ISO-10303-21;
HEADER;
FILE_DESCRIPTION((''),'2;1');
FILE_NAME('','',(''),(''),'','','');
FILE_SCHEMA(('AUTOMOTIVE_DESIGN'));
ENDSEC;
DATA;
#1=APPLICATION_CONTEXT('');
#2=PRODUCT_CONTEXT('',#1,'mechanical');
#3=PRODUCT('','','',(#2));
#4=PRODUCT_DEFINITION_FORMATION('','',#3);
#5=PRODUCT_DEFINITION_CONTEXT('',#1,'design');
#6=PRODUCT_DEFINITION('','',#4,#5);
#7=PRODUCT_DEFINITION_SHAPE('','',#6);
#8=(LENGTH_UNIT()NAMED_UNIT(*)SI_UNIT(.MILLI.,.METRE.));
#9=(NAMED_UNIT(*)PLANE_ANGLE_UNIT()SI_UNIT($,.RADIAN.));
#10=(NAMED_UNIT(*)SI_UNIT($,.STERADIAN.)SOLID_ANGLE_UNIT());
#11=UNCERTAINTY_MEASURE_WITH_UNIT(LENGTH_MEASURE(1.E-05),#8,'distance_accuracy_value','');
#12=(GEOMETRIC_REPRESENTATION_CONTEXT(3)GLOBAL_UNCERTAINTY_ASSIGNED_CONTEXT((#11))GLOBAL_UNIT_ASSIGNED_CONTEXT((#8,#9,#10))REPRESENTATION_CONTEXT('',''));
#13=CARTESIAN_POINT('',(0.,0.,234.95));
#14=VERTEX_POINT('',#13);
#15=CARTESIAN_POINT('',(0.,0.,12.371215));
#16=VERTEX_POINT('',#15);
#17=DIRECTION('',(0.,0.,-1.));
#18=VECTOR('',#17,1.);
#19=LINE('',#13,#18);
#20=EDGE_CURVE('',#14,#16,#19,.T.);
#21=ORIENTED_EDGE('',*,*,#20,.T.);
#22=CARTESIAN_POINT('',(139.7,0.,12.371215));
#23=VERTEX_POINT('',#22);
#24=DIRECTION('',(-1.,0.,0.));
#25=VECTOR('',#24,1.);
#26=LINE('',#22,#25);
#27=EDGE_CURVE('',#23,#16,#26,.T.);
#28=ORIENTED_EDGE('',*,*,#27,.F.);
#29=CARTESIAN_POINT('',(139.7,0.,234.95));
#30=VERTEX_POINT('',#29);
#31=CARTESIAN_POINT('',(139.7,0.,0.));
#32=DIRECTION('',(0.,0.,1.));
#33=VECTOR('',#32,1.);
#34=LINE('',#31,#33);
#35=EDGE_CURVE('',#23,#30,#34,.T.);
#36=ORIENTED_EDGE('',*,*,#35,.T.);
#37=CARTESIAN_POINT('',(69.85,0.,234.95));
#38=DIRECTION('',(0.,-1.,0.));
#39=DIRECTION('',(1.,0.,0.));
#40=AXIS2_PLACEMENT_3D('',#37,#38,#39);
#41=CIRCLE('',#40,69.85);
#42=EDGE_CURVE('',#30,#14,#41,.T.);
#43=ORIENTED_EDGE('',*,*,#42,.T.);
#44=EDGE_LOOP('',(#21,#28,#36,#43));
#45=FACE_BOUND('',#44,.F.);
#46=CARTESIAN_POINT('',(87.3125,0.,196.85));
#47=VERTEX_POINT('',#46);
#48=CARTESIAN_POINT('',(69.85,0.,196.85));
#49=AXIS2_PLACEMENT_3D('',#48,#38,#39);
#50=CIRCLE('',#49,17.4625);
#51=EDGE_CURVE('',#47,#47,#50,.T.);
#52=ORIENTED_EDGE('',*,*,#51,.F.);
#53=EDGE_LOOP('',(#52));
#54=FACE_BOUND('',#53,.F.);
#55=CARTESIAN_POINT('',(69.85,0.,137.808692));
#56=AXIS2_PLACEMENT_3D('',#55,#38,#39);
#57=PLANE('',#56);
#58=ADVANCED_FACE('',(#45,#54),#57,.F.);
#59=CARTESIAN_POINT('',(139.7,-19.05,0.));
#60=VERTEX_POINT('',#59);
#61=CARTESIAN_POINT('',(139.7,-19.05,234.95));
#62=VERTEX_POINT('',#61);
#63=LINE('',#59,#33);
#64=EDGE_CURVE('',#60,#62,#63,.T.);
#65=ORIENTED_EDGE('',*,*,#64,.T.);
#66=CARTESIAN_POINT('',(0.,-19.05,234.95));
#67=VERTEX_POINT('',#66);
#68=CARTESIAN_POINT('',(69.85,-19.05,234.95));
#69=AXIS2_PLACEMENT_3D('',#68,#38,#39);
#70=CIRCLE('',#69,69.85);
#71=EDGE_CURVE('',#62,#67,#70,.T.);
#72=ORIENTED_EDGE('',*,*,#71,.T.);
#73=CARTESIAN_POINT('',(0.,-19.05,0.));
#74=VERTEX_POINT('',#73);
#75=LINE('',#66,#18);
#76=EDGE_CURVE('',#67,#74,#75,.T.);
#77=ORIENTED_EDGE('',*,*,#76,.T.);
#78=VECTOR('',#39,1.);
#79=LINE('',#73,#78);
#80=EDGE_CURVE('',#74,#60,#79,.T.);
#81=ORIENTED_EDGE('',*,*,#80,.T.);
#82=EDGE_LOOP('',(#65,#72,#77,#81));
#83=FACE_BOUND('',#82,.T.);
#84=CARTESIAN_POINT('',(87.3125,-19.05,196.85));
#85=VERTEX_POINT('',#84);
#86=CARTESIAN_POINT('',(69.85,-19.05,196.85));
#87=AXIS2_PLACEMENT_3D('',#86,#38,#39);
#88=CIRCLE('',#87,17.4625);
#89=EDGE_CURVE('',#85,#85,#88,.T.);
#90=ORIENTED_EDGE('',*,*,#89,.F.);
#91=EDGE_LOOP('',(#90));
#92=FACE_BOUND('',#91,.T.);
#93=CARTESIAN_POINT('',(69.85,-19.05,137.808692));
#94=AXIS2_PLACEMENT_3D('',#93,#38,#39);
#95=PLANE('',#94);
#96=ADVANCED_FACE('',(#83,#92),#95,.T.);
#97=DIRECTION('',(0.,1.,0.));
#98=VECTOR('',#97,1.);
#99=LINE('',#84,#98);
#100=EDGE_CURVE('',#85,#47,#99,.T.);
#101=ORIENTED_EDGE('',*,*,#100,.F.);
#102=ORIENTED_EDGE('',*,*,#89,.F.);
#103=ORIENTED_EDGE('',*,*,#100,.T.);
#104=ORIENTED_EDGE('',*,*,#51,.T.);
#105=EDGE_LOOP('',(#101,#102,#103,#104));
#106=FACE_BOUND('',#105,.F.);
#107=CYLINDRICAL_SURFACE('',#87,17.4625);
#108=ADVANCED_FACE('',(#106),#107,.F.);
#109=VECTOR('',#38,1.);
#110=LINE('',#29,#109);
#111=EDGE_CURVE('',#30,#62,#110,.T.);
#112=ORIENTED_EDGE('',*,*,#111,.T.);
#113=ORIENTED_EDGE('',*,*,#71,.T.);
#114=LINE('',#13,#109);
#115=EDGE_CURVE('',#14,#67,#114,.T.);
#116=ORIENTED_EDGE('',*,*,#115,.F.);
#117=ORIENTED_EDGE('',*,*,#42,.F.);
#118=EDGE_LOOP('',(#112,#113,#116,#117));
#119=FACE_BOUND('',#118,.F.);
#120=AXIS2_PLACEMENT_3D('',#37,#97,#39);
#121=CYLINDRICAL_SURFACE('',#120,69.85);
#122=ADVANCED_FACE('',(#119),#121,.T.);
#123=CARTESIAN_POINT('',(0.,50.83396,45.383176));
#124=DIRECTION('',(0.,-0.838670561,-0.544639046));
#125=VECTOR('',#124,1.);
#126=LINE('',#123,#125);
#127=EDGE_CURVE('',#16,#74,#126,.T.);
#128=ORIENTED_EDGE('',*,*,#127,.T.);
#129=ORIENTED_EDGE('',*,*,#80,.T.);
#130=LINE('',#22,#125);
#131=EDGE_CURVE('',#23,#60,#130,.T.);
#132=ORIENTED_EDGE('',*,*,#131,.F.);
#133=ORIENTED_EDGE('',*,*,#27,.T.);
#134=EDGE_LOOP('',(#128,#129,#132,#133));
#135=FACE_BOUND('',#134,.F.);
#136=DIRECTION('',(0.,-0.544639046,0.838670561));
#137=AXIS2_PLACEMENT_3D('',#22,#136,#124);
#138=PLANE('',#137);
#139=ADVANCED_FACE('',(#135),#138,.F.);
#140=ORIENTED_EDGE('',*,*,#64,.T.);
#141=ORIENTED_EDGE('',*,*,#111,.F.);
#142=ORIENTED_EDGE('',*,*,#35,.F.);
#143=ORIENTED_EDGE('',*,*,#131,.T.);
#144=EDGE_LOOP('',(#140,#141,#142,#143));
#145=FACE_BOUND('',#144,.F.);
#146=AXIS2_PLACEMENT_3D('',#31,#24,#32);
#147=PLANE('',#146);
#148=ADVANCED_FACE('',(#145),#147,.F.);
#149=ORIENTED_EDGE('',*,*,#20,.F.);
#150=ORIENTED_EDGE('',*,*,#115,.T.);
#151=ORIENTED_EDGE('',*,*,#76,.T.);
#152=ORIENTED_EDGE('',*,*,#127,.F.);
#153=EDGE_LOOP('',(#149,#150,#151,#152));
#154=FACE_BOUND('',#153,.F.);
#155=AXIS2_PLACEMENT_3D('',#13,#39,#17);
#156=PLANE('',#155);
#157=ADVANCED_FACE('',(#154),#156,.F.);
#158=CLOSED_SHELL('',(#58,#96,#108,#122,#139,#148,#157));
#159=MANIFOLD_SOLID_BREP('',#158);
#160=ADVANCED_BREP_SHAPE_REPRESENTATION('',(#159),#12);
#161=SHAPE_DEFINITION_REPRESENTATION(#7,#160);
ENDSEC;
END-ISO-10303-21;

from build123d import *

# Parameters (mm, degrees)
F1_DEPTH = 19.05
F3_DEPTH = 139.701
F4_R     = 17.4625
F5_DEPTH = 19.051


with BuildPart() as f1:
    # F0 (on Front) → F1 (new body)
    with BuildSketch(Plane.XZ):
        with BuildLine():
            Line((0, 234.95), (0, 0))
            Line((0, 0), (139.7, 0))
            Line((139.7, 0), (139.7, 234.95))
            ThreePointArc((139.7, 234.95), (69.85, 304.8), (0, 234.95))
        make_face()
    extrude(amount=F1_DEPTH)

    # F2 (on face) → F3 (cut, through all)
    with BuildSketch(Plane.YZ.offset(139.7)):
        Polygon((0, 12.371215), (-19.05, 0), (0, 0), align=None)
    extrude(amount=-F3_DEPTH, mode=Mode.SUBTRACT)

    # F4 (on face) → F5 (cut, through all)
    with BuildSketch(Plane.XZ.offset(19.05)):
        with Locations((69.85, 196.85)):
            Circle(F4_R)
    extrude(amount=-F5_DEPTH, mode=Mode.SUBTRACT)


solid = f1.part
